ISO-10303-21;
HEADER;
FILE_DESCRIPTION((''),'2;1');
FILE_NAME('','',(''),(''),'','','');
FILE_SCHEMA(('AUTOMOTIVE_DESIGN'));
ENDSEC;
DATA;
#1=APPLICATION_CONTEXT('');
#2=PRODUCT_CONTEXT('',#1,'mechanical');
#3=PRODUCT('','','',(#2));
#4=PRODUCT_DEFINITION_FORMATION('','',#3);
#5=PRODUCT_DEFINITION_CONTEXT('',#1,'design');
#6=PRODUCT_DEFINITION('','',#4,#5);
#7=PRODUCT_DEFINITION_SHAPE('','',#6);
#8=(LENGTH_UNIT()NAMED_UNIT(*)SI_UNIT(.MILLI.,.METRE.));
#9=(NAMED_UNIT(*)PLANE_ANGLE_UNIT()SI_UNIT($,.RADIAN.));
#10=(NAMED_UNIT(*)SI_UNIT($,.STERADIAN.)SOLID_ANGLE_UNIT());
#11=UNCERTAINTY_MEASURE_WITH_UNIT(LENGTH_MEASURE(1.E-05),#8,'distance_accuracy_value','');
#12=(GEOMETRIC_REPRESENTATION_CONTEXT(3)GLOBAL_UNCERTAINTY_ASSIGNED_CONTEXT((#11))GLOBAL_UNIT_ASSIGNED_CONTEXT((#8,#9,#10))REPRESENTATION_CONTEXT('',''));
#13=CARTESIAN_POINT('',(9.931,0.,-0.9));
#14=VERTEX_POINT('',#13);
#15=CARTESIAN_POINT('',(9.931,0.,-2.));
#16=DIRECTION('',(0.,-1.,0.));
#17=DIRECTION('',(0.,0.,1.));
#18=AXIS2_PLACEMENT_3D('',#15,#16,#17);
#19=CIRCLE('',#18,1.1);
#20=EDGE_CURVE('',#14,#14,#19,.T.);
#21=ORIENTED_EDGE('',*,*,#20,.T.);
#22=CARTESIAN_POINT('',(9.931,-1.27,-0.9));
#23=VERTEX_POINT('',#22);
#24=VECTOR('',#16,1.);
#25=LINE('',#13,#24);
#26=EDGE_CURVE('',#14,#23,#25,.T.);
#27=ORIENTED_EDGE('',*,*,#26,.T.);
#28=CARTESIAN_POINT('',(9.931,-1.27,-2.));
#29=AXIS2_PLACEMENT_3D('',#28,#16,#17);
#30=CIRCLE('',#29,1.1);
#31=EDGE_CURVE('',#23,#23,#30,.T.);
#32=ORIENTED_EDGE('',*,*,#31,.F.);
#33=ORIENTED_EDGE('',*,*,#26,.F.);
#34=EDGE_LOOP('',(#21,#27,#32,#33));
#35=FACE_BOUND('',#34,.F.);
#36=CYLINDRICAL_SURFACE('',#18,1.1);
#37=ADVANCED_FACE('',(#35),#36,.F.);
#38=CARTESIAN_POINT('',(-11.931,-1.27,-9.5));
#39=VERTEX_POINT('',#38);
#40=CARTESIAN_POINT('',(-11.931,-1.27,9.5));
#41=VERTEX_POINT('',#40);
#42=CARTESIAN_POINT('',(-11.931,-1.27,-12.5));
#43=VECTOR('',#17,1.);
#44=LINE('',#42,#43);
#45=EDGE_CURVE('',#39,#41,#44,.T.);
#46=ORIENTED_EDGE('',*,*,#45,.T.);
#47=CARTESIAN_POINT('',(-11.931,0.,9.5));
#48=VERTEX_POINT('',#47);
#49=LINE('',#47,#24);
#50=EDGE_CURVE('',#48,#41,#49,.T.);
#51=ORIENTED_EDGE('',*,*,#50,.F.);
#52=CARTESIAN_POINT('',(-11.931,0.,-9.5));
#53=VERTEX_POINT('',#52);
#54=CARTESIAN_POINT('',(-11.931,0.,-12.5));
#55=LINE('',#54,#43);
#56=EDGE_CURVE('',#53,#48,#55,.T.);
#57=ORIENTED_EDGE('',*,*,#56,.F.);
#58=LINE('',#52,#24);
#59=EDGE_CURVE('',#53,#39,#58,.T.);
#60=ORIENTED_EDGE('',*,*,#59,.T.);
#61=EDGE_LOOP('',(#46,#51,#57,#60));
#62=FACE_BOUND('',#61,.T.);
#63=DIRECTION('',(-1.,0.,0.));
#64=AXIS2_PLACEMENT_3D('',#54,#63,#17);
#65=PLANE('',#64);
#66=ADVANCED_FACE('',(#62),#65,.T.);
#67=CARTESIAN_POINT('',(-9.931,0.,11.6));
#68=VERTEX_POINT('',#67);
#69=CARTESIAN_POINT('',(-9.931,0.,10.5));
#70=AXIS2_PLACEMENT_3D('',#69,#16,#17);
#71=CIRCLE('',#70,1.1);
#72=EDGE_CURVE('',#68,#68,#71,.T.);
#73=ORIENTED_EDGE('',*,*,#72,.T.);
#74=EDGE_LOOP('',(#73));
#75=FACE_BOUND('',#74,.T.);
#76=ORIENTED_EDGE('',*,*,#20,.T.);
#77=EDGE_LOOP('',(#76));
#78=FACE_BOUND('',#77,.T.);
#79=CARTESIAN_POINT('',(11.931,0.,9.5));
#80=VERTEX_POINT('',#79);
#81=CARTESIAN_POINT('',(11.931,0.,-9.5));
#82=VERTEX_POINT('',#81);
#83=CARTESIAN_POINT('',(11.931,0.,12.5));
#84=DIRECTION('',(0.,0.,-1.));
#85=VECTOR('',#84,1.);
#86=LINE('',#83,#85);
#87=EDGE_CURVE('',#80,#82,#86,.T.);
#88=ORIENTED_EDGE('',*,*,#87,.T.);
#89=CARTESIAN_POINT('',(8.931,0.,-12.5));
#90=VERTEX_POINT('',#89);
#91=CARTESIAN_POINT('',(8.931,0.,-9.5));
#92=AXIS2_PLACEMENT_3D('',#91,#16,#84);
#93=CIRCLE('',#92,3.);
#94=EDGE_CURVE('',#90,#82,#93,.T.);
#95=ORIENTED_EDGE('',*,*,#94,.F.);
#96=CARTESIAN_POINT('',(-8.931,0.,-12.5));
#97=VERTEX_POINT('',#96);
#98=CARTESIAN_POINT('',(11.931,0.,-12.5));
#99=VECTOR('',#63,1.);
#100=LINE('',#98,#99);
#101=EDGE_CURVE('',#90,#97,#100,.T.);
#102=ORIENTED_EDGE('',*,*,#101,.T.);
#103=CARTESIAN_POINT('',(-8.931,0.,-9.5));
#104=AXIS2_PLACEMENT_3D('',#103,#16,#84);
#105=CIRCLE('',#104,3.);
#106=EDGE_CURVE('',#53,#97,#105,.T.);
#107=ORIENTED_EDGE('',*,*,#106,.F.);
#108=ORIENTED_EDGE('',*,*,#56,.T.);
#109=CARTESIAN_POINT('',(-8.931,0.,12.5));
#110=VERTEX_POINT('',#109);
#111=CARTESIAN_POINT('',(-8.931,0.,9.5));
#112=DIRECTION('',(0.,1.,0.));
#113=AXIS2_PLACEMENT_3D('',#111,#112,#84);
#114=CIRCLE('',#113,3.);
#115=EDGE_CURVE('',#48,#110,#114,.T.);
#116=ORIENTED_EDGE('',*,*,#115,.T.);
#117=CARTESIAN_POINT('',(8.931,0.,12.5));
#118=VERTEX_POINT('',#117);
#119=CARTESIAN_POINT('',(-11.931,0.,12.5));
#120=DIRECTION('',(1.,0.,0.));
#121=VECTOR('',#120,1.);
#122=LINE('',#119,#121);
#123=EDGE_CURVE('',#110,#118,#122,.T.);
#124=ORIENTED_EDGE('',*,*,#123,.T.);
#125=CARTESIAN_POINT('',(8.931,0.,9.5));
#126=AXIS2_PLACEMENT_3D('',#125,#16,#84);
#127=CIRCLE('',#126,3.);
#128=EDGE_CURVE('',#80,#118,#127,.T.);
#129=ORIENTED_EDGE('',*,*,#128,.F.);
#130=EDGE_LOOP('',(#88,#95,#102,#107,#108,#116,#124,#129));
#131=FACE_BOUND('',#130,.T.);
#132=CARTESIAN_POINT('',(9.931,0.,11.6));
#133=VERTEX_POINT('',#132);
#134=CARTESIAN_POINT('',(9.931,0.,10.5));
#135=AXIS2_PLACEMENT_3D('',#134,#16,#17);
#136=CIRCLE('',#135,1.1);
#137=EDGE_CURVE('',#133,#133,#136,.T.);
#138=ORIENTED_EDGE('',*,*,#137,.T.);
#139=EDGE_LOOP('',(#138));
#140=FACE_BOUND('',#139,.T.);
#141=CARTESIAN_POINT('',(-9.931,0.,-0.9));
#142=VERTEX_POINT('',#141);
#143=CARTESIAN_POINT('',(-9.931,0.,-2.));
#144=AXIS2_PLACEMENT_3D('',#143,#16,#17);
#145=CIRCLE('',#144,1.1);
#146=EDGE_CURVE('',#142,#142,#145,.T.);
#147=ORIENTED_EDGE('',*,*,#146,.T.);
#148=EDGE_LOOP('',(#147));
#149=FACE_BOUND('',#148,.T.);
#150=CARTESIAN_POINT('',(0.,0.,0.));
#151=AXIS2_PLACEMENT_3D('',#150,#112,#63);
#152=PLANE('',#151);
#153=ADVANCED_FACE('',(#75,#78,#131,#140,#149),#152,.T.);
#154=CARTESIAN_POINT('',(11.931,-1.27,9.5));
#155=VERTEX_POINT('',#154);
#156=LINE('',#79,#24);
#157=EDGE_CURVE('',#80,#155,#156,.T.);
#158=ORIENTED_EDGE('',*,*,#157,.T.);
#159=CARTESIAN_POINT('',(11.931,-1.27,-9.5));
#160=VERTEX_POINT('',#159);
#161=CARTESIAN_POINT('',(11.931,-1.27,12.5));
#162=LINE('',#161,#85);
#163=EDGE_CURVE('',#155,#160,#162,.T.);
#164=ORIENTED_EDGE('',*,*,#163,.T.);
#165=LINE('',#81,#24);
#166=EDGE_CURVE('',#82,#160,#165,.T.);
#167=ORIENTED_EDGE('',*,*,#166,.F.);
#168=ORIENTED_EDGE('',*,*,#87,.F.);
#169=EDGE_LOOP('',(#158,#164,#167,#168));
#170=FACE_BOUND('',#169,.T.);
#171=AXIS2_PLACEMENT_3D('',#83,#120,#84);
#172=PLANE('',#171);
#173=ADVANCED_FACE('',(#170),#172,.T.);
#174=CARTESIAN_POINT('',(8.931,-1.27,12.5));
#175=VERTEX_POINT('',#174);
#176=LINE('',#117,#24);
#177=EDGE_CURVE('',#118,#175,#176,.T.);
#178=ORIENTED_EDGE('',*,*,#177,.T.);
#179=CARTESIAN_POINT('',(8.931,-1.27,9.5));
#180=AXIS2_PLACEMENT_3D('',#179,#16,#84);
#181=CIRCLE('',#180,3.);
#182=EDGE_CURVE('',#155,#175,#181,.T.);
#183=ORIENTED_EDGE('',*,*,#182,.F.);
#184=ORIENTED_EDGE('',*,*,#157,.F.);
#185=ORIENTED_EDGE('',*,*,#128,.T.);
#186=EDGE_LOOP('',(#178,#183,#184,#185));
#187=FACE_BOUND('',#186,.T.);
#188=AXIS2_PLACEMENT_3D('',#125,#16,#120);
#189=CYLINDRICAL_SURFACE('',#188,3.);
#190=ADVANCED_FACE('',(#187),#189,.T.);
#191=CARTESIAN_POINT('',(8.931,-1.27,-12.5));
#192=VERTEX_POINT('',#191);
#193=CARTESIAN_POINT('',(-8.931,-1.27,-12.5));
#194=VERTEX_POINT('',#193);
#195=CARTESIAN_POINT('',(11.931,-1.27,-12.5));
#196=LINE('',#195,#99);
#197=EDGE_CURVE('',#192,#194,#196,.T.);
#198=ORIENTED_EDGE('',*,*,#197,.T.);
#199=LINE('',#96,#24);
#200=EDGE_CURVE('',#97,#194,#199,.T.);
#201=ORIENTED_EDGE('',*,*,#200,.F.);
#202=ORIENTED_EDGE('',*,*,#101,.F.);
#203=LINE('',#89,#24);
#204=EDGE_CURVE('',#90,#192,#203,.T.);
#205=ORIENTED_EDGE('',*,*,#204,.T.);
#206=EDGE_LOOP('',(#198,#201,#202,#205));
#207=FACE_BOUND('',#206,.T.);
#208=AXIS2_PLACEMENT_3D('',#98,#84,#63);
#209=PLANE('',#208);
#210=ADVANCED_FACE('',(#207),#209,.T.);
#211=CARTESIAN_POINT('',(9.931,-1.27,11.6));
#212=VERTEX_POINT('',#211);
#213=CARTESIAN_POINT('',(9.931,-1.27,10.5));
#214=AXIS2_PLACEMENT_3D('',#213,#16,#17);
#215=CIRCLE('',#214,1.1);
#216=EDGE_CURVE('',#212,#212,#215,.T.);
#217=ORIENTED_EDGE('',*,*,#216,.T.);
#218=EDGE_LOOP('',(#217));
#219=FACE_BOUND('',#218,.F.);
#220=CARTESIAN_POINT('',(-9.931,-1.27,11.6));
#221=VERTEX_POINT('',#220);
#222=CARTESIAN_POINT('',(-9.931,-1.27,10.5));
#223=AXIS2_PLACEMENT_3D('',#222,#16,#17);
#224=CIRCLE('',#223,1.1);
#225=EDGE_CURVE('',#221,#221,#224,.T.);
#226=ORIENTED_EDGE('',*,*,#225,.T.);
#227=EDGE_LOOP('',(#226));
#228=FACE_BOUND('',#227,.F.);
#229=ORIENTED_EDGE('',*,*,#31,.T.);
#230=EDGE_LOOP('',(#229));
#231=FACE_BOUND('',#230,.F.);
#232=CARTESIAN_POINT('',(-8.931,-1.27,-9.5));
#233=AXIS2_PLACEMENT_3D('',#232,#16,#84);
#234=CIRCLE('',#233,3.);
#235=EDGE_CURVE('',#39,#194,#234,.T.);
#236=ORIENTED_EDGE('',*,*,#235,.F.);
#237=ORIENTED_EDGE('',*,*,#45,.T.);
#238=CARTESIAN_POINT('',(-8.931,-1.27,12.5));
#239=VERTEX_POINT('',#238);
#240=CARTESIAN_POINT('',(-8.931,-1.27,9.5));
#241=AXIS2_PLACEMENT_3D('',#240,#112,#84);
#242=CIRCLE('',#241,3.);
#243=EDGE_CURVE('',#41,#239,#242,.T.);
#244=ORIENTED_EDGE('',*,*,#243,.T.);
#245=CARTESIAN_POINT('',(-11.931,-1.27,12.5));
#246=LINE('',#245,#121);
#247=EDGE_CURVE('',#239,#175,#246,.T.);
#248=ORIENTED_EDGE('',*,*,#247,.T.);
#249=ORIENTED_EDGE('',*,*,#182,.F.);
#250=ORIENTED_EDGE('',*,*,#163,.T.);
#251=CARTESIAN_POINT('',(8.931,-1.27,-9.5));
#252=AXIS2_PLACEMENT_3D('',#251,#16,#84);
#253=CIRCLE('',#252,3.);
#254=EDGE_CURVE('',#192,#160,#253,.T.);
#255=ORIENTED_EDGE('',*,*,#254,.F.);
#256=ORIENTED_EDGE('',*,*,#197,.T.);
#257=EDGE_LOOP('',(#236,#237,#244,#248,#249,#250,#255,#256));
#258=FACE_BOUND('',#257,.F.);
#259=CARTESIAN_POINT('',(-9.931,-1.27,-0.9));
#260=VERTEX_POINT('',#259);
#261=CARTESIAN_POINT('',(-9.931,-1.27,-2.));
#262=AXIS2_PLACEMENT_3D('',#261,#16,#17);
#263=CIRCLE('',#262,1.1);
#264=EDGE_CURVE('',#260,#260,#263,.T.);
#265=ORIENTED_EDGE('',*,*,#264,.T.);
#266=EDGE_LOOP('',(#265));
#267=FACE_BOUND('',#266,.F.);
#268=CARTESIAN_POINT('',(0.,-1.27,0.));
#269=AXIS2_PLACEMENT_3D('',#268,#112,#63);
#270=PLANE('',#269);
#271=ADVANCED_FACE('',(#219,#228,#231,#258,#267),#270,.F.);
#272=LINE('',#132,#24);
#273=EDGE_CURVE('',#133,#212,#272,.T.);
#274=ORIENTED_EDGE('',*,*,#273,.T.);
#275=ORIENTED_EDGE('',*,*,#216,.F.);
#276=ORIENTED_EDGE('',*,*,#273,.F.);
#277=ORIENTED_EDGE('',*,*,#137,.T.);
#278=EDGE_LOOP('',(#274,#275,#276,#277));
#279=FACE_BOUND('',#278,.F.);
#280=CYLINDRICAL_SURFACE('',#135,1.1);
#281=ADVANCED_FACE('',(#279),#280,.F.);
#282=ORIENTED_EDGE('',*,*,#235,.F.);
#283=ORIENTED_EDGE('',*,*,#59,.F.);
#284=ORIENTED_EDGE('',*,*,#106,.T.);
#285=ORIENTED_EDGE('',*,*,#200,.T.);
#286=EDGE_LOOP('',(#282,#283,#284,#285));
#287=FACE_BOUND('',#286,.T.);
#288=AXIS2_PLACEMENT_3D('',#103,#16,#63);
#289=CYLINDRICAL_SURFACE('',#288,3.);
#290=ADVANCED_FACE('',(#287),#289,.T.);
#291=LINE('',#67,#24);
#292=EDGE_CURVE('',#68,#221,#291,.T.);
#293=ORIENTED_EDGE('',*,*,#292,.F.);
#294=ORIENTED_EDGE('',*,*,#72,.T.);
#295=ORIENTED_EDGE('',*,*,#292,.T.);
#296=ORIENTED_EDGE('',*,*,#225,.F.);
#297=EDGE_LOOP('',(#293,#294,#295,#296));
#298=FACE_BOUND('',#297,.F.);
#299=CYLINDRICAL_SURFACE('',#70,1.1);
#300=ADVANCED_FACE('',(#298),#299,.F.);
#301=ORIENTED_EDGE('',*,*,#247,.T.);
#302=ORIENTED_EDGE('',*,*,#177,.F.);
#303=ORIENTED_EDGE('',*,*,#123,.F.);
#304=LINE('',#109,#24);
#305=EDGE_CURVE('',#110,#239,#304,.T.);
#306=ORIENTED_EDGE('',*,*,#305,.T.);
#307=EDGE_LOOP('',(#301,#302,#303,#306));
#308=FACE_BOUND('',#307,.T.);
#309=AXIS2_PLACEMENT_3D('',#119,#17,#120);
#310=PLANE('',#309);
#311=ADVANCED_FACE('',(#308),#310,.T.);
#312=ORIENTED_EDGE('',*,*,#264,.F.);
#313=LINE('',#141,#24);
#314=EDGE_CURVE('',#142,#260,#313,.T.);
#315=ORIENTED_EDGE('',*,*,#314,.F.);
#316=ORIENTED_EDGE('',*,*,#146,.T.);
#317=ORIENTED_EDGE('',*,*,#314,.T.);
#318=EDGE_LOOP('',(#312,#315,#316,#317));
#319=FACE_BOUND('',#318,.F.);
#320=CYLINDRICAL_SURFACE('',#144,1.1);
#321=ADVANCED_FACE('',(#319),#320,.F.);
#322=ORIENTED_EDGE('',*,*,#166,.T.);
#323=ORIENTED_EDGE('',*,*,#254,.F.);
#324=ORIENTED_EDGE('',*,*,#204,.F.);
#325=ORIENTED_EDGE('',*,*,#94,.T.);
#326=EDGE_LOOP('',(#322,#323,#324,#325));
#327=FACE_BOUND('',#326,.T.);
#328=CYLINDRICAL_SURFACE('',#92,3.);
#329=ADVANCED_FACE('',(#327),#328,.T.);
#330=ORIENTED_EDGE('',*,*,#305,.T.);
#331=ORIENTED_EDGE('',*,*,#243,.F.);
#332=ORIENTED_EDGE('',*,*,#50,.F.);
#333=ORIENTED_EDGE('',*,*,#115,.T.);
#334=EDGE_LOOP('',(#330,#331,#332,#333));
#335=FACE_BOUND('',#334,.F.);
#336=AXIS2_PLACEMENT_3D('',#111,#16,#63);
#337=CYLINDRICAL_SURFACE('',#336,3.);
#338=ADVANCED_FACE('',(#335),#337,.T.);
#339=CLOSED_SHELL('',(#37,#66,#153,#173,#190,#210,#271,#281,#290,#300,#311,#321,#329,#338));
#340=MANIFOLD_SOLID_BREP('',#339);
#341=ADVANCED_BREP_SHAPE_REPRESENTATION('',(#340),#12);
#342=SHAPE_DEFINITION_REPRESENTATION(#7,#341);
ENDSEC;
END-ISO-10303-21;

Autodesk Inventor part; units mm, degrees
ref_plane "YZ Plane" through (0, 0, 0) normal (1, 0, 0) x (0, 1, 0)
ref_plane "XZ Plane" through (0, 0, 0) normal (0, 1, 0) x (-1, 0, 0)
ref_plane "XY Plane" through (0, 0, 0) normal (0, 0, 1) x (1, 0, 0)
sketch "Sketch1" plane through (0, 0, 0) normal (0, 1, 0) x (-1, 0, 0)
  line L0 (11.931, 12.5) -> (-11.931, 12.5)
  line L1 (-11.931, 12.5) -> (-11.931, -12.5)
  line L2 (-11.931, -12.5) -> (11.931, -12.5)
  line L3 (11.931, -12.5) -> (11.931, 12.5)
  line L4 (11.931, 12.5) -> (-11.931, -12.5) construction
  line L5 (-11.931, 12.5) -> (11.931, -12.5) construction
  point P0 (0, 0)
  point P1 (-29, 11.5)
  point P2 (-29, -11.5)
  dimension "d0" = 23.862
  dimension "d1" = 25
extrude "Extrusion1" add sketch "Sketch1" against normal blind 1.27
fillet "Fillet1" radius 3 4 edges at (-11.931, -0.635, 12.5) (11.931, -0.635, 12.5) (11.931, -0.635, -12.5) (-11.931, -0.635, -12.5)
sketch "Sketch3" plane through (0, 0, 0) normal (0, 1, 0) x (1, 0, 0)
  line L0 (9.931, -10.5) -> (-9.931, -10.5) construction
  line L1 (-9.931, -10.5) -> (-9.931, 2) construction
  line L2 (-9.931, 2) -> (9.931, 2) construction
  line L3 (9.931, 2) -> (9.931, -10.5) construction
  line L4 (-8.931, -12.5) -> (8.931, -12.5) projected
  line L5 (11.931, -9.5) -> (11.931, 9.5) projected
  line L6 (-11.931, 9.5) -> (-11.931, -9.5) projected
  point P0 (0, 0)
  dimension "d16" = 2
  dimension "d17" = 2
  dimension "d18" = 2
  dimension "d19" = 14.5
hole "Hole2" at (9.931, 0, 10.5) at (9.931, 0, -2) at (-9.931, 0, -2) at (-9.931, 0, 10.5) direction (0, -1, 0) diameter 2.2 end through all
equation "\"d0\" = PiCameraLength"
equation "\"d1\" = PiCameraWidth"
equation "\"d4\" = PiZeroWHeight"
equation "\"PiZeroWHeight\" = 1.27"
equation "\"PiCameraWidth\" = 25"
equation "\"PiCameraLength\" = 23.862"
properties part number "PiCameraWithMechanicalLayout" material "LCP Plastic"
